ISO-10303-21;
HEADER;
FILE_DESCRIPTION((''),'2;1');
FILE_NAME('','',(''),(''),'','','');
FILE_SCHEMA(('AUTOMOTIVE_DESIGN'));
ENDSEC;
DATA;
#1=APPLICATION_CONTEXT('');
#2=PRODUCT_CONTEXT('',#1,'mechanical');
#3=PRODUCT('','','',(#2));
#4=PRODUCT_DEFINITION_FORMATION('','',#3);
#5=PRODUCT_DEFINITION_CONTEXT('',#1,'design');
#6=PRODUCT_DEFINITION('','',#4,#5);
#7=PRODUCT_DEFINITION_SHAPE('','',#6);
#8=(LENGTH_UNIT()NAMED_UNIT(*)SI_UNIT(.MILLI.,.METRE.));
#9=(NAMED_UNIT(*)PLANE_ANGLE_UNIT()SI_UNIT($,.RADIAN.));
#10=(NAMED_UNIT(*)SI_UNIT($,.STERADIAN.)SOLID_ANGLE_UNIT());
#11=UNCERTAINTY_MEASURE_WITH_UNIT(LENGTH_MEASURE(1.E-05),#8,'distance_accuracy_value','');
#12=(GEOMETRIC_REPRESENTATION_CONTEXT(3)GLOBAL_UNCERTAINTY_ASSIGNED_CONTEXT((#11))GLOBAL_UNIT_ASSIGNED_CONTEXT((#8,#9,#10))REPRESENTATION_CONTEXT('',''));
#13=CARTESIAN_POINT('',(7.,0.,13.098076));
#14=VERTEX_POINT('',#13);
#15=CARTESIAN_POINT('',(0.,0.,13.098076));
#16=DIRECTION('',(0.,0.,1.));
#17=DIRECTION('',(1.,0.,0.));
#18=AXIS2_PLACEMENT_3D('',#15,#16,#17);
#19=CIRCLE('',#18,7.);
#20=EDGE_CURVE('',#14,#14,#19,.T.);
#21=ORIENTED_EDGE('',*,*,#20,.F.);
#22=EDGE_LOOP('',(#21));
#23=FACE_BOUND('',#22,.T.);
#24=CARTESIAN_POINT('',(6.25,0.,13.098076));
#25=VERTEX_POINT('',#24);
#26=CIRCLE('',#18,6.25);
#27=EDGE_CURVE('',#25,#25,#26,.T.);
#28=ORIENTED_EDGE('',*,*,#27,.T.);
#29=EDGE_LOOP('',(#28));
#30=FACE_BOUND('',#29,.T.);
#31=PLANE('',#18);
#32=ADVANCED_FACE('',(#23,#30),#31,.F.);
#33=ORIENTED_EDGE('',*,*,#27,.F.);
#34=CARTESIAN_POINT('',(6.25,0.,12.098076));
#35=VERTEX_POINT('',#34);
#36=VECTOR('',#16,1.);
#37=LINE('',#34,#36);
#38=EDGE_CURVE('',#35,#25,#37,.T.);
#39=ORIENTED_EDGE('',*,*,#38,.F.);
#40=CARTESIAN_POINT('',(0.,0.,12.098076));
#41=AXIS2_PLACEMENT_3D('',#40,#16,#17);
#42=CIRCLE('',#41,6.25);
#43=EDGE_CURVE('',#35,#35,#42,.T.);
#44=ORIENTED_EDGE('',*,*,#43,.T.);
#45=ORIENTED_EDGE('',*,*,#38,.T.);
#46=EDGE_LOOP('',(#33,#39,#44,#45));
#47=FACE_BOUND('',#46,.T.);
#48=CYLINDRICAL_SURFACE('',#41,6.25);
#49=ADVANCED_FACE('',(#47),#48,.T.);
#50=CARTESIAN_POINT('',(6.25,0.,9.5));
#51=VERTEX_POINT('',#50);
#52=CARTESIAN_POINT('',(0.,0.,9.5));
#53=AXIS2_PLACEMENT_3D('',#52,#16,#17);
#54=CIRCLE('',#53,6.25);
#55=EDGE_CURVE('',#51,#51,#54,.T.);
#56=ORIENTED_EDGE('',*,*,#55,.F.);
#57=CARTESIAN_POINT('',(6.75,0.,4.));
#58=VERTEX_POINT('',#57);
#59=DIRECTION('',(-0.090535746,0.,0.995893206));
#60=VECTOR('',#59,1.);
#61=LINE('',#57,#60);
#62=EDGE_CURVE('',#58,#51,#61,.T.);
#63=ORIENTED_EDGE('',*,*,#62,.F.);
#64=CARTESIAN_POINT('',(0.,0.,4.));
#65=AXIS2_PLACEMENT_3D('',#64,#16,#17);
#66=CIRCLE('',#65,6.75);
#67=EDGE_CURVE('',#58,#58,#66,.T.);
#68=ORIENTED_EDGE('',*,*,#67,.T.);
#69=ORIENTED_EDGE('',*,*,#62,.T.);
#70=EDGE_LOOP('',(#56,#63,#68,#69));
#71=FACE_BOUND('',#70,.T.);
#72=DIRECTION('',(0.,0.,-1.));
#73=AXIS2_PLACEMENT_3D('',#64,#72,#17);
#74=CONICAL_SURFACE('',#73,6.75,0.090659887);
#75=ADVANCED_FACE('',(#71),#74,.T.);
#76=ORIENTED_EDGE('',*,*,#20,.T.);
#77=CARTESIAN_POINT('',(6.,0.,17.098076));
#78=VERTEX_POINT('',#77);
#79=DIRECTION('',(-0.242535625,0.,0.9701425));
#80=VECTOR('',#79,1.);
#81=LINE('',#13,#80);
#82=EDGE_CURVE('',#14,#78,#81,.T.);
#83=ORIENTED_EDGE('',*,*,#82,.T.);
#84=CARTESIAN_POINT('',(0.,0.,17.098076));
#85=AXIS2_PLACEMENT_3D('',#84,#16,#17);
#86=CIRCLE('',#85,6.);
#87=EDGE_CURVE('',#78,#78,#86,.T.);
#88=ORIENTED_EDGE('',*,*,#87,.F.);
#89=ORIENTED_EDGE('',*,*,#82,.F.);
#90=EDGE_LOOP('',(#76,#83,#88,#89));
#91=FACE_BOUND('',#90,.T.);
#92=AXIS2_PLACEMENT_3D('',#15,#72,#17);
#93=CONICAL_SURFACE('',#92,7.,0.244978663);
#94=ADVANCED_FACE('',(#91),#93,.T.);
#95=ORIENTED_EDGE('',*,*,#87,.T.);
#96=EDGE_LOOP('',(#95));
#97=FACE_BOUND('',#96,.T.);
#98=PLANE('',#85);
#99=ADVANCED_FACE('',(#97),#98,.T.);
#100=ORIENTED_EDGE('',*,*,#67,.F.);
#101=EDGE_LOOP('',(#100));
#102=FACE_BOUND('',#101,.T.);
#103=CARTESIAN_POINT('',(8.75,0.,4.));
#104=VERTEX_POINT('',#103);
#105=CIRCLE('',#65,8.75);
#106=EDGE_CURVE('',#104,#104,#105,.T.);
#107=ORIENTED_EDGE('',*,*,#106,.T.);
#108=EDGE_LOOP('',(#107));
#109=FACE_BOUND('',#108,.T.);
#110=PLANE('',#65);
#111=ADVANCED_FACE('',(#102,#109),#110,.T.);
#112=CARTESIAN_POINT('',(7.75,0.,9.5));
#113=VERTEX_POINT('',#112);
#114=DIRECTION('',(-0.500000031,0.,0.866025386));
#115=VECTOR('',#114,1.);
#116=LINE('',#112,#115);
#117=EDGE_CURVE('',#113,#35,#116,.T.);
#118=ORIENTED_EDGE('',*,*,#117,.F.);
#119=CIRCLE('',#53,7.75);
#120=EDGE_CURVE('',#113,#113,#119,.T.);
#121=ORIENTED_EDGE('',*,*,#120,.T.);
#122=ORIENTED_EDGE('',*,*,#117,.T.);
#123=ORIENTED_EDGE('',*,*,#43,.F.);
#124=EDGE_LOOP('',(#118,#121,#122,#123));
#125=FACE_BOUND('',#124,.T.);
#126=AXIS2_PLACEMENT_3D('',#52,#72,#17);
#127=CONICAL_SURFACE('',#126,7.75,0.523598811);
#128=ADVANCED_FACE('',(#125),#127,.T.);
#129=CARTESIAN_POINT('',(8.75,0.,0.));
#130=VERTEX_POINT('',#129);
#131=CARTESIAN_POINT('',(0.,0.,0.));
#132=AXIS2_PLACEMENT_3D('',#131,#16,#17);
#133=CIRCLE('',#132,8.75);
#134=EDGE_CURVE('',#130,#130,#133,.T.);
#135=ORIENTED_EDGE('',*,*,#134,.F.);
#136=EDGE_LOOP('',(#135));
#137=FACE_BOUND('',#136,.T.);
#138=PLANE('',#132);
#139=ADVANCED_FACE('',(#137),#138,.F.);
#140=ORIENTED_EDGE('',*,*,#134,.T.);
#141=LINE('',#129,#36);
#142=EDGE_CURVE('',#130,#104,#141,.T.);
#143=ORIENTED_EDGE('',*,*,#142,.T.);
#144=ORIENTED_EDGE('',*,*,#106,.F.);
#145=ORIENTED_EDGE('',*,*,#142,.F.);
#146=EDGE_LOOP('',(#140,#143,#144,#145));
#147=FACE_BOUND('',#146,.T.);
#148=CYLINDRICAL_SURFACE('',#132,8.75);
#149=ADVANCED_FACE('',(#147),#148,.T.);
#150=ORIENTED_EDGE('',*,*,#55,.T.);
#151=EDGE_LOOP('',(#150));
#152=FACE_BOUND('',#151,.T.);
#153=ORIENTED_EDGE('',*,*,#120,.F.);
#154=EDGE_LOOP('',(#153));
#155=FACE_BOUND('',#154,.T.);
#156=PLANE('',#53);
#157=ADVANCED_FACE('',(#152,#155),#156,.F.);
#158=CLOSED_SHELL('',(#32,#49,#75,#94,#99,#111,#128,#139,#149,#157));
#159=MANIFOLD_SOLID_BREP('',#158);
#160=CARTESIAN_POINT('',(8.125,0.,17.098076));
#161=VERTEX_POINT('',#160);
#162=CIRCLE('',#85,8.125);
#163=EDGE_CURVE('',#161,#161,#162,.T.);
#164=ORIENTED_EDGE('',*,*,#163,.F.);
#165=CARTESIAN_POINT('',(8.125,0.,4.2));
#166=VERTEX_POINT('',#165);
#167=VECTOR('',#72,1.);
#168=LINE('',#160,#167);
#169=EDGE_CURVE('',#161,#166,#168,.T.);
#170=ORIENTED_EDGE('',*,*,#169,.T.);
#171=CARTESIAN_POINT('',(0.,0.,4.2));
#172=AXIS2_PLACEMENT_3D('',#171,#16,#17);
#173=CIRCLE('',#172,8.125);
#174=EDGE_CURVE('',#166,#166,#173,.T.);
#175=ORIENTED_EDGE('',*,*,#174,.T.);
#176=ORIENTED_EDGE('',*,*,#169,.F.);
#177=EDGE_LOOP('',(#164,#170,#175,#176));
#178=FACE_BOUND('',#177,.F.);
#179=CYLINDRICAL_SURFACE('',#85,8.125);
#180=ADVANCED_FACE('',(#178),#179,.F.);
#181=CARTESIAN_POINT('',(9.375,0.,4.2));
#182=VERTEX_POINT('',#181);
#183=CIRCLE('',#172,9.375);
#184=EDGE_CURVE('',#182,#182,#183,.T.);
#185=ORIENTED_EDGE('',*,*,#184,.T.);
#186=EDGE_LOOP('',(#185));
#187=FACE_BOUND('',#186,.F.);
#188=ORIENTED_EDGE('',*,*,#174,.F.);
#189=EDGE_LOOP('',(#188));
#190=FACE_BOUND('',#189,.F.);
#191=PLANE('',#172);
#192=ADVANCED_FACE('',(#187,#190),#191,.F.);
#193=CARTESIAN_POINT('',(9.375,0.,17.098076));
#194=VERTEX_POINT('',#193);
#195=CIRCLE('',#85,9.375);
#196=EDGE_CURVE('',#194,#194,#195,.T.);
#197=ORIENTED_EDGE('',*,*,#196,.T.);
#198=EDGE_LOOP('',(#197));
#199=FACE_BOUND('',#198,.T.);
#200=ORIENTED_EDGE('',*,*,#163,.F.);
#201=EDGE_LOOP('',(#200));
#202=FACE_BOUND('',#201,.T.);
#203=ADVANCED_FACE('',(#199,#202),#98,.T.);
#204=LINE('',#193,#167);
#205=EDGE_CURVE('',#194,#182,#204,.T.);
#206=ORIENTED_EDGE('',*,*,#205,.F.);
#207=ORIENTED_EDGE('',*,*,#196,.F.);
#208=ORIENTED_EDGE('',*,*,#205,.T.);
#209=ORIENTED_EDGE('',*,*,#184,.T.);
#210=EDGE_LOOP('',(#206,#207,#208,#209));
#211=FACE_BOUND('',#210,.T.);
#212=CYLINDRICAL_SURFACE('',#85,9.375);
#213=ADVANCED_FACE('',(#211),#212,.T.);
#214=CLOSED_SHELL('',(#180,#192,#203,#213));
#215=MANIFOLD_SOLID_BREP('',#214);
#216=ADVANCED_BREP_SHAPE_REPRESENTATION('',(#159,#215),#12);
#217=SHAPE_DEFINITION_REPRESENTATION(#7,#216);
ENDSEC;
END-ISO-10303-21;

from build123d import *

# Parameters (mm, degrees)
SKETCH001_R   = 9.375
SKETCH001_R_2 = 8.125
PAD_DEPTH     = 12.898076


with BuildPart() as body:
    # Sketch → Revolution (revolve)
    with BuildSketch(Plane.XZ):
        Polygon((8.75, 0), (8.75, 4), (6.75, 4), (6.25, 9.5), (7.75, 9.5), (6.25, 12.098076), (6.25, 13.098076), (7, 13.098076), (6, 17.098076), (0, 17.098076), (0, 0), align=None)
    revolve(axis=Axis((0, 0, 0), (0, 0, 1)))


with BuildPart() as body001:
    # Sketch001 (on Edge1 of Binder) → Pad (new body)
    with BuildSketch(Plane.XY.offset(17.098076)):
        Circle(SKETCH001_R)
        Circle(SKETCH001_R_2, mode=Mode.SUBTRACT)
    extrude(amount=-PAD_DEPTH)


solid = Compound([body.part, body001.part])
